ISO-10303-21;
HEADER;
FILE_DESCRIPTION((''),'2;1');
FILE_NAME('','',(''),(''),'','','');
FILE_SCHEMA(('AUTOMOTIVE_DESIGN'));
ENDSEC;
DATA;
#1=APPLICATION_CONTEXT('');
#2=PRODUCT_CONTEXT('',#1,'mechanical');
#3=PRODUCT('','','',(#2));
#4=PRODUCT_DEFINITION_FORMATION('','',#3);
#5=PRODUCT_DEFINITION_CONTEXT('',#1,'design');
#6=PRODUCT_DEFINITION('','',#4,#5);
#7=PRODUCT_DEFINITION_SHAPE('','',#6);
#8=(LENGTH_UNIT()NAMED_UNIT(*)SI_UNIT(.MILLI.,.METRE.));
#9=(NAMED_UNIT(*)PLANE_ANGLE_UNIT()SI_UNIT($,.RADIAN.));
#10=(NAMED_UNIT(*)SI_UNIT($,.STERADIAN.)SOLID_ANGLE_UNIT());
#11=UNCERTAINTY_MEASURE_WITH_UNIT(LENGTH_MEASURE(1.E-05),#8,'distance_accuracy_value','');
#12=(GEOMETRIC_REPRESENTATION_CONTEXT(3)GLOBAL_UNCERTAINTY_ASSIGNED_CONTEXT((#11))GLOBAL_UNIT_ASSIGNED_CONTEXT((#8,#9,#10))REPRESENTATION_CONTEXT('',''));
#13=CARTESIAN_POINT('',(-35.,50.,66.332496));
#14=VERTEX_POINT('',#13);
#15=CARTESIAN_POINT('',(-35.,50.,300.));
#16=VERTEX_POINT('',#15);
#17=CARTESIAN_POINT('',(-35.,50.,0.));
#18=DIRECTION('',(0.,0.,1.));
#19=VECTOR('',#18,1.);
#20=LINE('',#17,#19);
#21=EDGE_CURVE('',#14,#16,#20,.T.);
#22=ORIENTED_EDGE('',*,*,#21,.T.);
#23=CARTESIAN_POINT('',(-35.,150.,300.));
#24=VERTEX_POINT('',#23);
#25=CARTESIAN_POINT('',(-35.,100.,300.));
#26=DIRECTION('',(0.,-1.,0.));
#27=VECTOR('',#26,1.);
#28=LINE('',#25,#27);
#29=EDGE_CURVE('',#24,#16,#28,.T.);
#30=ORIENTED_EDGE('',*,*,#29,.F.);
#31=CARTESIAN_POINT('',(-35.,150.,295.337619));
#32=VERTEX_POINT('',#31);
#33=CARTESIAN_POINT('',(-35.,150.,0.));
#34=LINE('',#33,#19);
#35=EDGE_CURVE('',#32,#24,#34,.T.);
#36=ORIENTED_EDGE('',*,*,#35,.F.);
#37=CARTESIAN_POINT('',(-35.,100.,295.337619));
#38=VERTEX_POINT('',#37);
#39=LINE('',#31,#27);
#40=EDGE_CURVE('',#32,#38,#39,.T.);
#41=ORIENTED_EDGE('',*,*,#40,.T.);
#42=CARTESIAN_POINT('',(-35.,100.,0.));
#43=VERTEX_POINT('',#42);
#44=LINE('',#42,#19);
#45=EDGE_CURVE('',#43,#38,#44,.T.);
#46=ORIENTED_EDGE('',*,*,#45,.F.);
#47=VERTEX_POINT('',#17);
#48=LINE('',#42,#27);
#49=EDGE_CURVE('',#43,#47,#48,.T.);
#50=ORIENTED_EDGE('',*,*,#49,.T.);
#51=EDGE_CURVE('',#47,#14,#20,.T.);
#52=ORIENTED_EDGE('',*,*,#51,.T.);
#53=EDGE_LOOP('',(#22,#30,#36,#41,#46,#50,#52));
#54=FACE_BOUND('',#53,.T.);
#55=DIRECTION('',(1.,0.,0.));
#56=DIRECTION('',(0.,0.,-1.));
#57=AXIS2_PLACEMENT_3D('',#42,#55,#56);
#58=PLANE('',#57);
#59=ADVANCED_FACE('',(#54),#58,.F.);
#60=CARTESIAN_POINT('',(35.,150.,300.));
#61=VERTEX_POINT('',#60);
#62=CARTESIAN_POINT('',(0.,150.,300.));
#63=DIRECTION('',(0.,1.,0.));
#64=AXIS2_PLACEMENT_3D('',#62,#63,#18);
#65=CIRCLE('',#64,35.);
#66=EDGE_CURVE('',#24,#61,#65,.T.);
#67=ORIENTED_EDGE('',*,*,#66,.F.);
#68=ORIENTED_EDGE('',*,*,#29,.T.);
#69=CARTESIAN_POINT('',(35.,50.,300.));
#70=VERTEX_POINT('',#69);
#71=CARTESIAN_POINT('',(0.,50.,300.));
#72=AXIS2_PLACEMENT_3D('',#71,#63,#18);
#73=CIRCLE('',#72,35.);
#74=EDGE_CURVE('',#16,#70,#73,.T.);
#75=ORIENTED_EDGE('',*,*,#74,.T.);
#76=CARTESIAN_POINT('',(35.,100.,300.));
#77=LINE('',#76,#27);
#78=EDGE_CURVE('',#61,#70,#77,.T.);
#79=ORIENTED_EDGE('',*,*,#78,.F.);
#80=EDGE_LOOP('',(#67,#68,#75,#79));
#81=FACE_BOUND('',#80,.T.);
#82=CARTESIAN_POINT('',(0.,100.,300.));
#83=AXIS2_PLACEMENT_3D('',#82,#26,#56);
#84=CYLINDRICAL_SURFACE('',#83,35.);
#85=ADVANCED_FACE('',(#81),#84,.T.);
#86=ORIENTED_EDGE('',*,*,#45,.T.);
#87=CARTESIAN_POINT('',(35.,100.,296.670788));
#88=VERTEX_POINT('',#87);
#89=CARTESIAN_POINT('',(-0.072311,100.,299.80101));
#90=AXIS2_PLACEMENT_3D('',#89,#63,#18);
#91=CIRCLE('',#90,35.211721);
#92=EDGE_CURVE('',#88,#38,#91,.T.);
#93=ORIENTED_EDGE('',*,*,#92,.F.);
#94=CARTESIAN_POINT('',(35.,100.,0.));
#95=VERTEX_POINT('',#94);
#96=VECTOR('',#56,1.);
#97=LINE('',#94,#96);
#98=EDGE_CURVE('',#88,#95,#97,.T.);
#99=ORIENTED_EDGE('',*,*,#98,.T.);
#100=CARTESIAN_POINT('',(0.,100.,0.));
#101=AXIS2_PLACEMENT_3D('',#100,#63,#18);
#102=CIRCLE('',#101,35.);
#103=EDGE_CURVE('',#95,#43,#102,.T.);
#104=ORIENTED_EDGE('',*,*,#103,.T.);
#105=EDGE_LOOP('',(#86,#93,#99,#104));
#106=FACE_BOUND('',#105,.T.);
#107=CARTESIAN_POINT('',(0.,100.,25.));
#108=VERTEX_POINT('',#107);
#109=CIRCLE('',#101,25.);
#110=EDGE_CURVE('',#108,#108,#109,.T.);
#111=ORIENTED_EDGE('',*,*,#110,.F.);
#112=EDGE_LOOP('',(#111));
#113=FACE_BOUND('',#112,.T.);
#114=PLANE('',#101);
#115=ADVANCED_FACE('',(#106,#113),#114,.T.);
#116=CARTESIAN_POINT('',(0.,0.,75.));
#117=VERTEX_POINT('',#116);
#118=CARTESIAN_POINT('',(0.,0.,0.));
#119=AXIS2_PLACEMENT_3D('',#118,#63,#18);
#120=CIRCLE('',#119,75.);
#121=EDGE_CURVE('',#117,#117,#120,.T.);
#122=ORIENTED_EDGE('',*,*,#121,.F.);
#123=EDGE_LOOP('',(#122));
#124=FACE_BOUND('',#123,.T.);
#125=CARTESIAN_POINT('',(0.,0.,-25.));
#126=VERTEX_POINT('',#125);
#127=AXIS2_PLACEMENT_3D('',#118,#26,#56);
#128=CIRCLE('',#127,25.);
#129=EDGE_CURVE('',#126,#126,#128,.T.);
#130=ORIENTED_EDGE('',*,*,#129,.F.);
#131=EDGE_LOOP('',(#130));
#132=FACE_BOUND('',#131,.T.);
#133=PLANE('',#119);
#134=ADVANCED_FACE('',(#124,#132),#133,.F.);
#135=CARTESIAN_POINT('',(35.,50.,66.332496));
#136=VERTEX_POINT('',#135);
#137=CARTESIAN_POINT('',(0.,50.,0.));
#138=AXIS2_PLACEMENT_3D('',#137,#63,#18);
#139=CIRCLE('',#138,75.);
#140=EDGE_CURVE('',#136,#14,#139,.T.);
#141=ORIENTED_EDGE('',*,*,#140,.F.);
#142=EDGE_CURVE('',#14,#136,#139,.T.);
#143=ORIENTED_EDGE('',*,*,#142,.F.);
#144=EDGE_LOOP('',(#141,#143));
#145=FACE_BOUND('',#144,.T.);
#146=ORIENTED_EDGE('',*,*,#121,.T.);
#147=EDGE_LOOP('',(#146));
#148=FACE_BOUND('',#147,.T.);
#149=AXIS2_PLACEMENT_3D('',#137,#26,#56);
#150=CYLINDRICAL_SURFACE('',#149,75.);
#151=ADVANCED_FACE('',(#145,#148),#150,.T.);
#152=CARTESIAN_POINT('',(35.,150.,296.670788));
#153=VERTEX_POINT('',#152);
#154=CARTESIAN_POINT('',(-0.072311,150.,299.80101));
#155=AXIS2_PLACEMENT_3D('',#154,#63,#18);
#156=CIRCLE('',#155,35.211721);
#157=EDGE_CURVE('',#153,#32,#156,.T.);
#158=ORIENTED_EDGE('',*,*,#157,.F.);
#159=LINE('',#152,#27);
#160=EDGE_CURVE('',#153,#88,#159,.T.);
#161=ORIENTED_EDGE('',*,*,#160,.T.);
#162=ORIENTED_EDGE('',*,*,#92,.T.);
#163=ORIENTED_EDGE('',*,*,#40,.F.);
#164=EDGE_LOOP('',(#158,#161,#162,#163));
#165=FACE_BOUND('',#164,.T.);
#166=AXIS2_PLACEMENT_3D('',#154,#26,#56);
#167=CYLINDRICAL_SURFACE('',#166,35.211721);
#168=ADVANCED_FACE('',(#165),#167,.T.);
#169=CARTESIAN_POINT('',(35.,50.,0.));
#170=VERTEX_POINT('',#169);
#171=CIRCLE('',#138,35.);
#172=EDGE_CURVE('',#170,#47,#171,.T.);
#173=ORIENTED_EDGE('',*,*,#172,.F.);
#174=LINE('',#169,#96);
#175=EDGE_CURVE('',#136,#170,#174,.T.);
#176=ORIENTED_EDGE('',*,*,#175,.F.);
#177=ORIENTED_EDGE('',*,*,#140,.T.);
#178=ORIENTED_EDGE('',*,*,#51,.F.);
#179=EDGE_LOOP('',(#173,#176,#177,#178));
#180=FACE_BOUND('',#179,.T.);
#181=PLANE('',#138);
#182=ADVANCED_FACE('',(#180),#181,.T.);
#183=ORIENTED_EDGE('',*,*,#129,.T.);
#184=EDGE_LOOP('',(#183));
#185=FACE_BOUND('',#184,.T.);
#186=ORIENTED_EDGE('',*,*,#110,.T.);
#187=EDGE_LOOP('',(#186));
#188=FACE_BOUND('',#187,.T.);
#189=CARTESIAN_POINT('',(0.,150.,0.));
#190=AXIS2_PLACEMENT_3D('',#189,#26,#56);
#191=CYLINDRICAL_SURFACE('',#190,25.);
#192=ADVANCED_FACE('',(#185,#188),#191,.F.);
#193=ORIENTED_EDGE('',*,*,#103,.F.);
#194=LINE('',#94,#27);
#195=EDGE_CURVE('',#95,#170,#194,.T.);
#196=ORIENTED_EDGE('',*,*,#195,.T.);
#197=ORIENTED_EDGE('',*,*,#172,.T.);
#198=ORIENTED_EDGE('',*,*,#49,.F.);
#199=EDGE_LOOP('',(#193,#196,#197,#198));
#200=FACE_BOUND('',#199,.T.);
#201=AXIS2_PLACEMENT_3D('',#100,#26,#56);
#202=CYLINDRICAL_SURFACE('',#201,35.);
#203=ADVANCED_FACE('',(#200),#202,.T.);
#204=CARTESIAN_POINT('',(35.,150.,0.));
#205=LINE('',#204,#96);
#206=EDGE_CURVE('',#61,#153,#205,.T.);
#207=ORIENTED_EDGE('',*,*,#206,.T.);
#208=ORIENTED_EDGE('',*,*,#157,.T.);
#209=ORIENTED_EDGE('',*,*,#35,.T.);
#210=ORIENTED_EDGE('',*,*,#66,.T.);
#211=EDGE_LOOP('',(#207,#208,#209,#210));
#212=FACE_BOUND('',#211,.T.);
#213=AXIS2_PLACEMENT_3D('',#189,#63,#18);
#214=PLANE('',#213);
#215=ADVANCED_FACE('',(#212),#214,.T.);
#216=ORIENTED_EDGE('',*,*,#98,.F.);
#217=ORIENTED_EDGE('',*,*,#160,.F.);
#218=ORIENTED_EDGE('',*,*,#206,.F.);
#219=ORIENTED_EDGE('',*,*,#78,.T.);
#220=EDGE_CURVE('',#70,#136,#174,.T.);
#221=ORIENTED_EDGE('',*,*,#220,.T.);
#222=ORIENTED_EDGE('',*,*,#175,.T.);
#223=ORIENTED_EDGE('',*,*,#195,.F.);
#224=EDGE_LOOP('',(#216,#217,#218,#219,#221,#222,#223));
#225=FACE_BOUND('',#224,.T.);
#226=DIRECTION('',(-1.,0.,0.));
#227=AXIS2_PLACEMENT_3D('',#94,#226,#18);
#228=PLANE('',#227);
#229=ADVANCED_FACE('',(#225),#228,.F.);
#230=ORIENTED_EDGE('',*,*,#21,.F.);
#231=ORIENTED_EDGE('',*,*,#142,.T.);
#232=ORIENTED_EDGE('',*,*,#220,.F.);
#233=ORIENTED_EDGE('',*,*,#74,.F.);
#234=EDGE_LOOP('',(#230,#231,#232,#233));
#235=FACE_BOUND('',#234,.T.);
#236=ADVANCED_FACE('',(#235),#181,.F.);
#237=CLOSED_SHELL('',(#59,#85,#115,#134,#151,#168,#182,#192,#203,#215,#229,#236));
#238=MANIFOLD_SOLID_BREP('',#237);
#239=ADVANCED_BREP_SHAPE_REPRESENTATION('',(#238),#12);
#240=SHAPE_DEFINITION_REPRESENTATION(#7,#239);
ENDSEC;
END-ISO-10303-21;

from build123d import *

# Parameters (mm, degrees)
SKETCH1_R           = 75
BOSS_EXTRUDE1_DEPTH = 50
BOSS_EXTRUDE2_DEPTH = 50
BOSS_EXTRUDE3_DEPTH = 50
SKETCH4_R           = 25
CUT_EXTRUDE1_DEPTH  = 151


with BuildPart() as part:
    # Sketch1 → Boss-Extrude1 (new body)
    with BuildSketch(Plane(origin=(0, 0, 0), x_dir=(1, 0, 0), z_dir=(0, 1, 0))):
        Circle(SKETCH1_R)
    extrude(amount=BOSS_EXTRUDE1_DEPTH)

    # Sketch2 → Boss-Extrude2 (add)
    with BuildSketch(Plane(origin=(0, 50, 0), x_dir=(1, 0, 0), z_dir=(0, 1, 0))):
        with BuildLine():
            Line((-35, 0), (-35, -300))
            ThreePointArc((-35, -300), (0, -335), (35, -300))
            Line((35, -300), (35, 0))
            ThreePointArc((35, 0), (0, 35), (-35, 0))
        make_face()
    extrude(amount=BOSS_EXTRUDE2_DEPTH)

    # Sketch3 → Boss-Extrude3 (add)
    with BuildSketch(Plane(origin=(0, 100, 0), x_dir=(1, 0, 0), z_dir=(0, 1, 0))):
        with BuildLine():
            ThreePointArc((11.953887913, -332.895357784), (28.366317111, -320.502488959), (34.9848173, -301.03080477))
            ThreePointArc((34.9848173, -301.03080477), (34.996204119, -300.515458289), (35, -300))
            Line((35, -300), (35, -296.670788492))
            ThreePointArc((35, -296.670788492), (0.598184033, -264.595673491), (-35, -295.33761939))
            Line((-35, -295.33761939), (-35, -300))
            ThreePointArc((-35, -300), (-20.082503866, -328.665188617), (11.953887913, -332.895357784))
        make_face()
    extrude(amount=BOSS_EXTRUDE3_DEPTH)

    # Sketch4 → Cut-Extrude1 (cut, through all)
    with BuildSketch(Plane.XZ):
        Circle(SKETCH4_R)
    extrude(amount=-CUT_EXTRUDE1_DEPTH, mode=Mode.SUBTRACT)


solid = part.part
